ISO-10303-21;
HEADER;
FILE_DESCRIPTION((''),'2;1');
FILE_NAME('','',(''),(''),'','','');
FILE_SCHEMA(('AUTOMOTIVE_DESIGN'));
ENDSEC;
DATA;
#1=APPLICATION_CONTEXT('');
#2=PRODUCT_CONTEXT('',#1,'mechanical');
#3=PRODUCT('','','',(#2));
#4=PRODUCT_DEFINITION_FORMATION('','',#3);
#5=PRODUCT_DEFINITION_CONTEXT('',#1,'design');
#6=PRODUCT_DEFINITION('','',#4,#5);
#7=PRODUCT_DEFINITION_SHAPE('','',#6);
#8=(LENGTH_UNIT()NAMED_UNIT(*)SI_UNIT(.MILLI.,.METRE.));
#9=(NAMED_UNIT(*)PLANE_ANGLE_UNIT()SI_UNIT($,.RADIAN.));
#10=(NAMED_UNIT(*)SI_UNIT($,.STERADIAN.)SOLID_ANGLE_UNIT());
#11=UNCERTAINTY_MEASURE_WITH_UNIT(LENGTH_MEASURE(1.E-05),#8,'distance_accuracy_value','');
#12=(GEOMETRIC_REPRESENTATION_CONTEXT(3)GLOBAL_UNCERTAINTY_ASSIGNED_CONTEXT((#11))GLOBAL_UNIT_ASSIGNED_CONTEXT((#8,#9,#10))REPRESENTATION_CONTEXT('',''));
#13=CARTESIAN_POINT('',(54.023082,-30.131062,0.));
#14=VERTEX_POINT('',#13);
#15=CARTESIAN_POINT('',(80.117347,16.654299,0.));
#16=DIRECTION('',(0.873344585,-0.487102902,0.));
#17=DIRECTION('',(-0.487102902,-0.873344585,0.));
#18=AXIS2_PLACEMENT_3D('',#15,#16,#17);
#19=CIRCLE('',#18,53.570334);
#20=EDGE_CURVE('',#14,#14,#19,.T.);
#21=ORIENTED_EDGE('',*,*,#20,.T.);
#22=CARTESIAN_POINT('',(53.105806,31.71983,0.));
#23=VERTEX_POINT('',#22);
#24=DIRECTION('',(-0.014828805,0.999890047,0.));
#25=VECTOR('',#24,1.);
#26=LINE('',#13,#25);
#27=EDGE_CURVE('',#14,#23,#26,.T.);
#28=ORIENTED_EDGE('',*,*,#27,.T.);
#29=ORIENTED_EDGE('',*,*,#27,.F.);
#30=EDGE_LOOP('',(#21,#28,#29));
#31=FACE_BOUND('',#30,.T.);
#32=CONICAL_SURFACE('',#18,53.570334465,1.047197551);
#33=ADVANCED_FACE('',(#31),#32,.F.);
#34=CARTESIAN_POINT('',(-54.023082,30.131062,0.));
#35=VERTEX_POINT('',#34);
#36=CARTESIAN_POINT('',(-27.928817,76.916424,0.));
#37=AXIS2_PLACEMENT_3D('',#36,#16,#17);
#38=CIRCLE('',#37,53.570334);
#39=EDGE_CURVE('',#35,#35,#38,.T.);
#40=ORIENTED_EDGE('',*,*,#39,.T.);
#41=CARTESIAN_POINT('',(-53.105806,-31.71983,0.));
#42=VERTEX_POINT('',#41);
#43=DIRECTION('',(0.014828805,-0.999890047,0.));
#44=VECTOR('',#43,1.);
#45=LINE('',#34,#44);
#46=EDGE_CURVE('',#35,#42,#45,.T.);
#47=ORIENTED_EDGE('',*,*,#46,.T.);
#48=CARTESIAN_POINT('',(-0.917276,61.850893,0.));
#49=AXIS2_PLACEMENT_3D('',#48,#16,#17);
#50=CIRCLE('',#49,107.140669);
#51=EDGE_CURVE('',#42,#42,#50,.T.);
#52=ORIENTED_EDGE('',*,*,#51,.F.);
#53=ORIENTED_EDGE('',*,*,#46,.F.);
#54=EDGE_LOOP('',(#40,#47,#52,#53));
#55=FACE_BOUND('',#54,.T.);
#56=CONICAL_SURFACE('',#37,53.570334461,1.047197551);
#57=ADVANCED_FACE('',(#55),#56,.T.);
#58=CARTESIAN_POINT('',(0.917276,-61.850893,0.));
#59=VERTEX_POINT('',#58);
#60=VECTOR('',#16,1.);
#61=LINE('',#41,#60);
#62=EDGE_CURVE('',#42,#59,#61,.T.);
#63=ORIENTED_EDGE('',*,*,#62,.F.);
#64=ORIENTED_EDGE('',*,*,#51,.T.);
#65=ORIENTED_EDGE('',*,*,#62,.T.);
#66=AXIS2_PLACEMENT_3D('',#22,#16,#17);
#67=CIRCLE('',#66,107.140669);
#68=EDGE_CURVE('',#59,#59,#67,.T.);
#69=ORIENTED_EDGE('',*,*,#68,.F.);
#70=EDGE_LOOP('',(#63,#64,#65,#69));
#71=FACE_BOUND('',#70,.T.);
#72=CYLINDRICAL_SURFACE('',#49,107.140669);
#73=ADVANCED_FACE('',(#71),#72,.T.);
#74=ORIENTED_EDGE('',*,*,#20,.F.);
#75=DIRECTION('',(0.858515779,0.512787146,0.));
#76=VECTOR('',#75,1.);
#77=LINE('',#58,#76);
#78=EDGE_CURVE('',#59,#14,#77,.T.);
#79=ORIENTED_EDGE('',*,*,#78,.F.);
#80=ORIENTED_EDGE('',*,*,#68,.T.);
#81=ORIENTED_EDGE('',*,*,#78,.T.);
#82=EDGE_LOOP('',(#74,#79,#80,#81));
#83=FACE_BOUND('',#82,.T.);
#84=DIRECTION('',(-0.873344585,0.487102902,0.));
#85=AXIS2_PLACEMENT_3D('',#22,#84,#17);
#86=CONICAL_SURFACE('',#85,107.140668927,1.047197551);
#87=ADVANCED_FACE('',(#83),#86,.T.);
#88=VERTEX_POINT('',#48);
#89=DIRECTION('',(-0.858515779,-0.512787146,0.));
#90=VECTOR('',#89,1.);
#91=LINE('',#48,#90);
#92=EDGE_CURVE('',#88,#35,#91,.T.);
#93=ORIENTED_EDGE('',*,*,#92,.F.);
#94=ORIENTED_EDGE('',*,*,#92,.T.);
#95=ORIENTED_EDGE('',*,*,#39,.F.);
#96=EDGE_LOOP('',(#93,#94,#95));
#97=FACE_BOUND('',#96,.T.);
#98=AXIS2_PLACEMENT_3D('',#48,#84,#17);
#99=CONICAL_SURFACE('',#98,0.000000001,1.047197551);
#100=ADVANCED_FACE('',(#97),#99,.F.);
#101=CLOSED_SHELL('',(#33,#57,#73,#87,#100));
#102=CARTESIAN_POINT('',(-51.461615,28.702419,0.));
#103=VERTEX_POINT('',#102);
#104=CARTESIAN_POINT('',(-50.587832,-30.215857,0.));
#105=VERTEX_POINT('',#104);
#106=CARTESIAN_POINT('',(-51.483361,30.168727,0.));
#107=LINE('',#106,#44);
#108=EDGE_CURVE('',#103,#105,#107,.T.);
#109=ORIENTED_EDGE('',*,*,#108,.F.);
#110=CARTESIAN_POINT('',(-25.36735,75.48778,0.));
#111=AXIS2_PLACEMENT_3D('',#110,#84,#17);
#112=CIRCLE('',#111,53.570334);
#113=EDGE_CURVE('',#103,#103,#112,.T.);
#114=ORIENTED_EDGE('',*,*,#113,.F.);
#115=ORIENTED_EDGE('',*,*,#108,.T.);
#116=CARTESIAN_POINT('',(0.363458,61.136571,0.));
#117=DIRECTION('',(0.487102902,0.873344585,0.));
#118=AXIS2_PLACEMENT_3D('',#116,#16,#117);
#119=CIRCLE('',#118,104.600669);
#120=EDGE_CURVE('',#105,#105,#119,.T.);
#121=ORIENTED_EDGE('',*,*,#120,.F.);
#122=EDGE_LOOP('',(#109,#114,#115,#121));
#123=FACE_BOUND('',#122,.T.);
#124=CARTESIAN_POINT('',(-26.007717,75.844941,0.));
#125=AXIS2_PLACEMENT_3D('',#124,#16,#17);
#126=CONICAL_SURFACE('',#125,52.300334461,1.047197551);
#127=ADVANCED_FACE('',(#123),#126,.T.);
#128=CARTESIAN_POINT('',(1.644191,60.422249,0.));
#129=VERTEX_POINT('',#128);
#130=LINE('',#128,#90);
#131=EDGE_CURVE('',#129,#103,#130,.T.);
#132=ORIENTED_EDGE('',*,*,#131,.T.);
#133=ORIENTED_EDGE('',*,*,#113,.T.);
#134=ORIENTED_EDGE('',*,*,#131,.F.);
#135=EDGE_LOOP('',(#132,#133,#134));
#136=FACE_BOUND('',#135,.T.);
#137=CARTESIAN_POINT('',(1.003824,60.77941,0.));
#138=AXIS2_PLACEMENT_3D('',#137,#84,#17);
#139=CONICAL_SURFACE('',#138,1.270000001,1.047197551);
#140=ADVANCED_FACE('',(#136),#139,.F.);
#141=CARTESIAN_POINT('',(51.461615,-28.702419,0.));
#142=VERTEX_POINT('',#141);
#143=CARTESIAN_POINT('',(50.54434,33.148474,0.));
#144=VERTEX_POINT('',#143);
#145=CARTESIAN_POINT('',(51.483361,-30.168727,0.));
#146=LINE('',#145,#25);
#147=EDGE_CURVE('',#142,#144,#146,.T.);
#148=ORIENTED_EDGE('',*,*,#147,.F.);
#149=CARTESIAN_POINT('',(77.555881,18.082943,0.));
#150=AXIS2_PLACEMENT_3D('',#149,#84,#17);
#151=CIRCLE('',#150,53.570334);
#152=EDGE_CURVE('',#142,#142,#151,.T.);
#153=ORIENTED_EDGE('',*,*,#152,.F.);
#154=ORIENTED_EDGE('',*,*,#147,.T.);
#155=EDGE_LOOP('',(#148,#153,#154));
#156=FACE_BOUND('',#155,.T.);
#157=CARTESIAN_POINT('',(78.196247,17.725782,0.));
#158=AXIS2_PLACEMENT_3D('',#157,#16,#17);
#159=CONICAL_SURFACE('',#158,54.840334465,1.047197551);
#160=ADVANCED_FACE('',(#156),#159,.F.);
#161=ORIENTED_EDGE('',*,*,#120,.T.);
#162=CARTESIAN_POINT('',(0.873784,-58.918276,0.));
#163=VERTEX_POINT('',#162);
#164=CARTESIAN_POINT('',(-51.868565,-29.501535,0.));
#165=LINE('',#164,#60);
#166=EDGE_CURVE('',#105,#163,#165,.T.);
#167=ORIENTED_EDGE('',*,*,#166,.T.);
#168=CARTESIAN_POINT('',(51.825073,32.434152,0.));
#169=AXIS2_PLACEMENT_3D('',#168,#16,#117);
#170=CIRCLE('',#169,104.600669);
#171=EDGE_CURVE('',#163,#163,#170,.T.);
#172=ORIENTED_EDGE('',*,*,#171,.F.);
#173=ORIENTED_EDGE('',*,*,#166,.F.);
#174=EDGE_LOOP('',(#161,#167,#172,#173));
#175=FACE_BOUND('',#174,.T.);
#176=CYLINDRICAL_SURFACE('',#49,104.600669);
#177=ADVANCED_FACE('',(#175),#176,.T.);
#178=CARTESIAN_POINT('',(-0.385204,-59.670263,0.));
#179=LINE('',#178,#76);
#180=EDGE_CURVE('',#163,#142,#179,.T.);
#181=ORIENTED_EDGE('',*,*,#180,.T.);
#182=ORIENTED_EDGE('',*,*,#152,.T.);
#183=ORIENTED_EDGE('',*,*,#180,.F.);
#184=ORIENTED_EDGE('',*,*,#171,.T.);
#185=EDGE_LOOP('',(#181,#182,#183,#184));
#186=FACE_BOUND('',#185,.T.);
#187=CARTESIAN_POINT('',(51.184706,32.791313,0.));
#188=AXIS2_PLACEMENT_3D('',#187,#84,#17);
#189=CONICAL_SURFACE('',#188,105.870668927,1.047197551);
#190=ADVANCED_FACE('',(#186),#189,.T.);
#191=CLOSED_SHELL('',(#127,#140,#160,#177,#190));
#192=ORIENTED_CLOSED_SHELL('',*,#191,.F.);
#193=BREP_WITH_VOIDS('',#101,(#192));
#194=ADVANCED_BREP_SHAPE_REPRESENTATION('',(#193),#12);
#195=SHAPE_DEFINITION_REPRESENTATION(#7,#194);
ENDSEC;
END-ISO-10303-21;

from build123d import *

# Parameters (mm, degrees)
F2_T = -2.54


with BuildPart() as f1:
    # F0 (on Top) → F1 (revolve)
    with BuildSketch(Plane.XY):
        Polygon((-0.917275699, 61.8508926201), (-54.0230821053, 30.1310622525), (-53.1058064063, -31.7198303677), (0.917275699, -61.8508926201), (54.0230821053, -30.1310622525), (53.1058064063, 31.7198303677), align=None)
    revolve(axis=Axis((26.0942653536, 46.7853614939, 0), (0.8733445845, -0.4871029015, 0)))

    # F2 (hollow: no face is removed)
    offset(amount=F2_T, mode=Mode.SUBTRACT)


solid = f1.part
